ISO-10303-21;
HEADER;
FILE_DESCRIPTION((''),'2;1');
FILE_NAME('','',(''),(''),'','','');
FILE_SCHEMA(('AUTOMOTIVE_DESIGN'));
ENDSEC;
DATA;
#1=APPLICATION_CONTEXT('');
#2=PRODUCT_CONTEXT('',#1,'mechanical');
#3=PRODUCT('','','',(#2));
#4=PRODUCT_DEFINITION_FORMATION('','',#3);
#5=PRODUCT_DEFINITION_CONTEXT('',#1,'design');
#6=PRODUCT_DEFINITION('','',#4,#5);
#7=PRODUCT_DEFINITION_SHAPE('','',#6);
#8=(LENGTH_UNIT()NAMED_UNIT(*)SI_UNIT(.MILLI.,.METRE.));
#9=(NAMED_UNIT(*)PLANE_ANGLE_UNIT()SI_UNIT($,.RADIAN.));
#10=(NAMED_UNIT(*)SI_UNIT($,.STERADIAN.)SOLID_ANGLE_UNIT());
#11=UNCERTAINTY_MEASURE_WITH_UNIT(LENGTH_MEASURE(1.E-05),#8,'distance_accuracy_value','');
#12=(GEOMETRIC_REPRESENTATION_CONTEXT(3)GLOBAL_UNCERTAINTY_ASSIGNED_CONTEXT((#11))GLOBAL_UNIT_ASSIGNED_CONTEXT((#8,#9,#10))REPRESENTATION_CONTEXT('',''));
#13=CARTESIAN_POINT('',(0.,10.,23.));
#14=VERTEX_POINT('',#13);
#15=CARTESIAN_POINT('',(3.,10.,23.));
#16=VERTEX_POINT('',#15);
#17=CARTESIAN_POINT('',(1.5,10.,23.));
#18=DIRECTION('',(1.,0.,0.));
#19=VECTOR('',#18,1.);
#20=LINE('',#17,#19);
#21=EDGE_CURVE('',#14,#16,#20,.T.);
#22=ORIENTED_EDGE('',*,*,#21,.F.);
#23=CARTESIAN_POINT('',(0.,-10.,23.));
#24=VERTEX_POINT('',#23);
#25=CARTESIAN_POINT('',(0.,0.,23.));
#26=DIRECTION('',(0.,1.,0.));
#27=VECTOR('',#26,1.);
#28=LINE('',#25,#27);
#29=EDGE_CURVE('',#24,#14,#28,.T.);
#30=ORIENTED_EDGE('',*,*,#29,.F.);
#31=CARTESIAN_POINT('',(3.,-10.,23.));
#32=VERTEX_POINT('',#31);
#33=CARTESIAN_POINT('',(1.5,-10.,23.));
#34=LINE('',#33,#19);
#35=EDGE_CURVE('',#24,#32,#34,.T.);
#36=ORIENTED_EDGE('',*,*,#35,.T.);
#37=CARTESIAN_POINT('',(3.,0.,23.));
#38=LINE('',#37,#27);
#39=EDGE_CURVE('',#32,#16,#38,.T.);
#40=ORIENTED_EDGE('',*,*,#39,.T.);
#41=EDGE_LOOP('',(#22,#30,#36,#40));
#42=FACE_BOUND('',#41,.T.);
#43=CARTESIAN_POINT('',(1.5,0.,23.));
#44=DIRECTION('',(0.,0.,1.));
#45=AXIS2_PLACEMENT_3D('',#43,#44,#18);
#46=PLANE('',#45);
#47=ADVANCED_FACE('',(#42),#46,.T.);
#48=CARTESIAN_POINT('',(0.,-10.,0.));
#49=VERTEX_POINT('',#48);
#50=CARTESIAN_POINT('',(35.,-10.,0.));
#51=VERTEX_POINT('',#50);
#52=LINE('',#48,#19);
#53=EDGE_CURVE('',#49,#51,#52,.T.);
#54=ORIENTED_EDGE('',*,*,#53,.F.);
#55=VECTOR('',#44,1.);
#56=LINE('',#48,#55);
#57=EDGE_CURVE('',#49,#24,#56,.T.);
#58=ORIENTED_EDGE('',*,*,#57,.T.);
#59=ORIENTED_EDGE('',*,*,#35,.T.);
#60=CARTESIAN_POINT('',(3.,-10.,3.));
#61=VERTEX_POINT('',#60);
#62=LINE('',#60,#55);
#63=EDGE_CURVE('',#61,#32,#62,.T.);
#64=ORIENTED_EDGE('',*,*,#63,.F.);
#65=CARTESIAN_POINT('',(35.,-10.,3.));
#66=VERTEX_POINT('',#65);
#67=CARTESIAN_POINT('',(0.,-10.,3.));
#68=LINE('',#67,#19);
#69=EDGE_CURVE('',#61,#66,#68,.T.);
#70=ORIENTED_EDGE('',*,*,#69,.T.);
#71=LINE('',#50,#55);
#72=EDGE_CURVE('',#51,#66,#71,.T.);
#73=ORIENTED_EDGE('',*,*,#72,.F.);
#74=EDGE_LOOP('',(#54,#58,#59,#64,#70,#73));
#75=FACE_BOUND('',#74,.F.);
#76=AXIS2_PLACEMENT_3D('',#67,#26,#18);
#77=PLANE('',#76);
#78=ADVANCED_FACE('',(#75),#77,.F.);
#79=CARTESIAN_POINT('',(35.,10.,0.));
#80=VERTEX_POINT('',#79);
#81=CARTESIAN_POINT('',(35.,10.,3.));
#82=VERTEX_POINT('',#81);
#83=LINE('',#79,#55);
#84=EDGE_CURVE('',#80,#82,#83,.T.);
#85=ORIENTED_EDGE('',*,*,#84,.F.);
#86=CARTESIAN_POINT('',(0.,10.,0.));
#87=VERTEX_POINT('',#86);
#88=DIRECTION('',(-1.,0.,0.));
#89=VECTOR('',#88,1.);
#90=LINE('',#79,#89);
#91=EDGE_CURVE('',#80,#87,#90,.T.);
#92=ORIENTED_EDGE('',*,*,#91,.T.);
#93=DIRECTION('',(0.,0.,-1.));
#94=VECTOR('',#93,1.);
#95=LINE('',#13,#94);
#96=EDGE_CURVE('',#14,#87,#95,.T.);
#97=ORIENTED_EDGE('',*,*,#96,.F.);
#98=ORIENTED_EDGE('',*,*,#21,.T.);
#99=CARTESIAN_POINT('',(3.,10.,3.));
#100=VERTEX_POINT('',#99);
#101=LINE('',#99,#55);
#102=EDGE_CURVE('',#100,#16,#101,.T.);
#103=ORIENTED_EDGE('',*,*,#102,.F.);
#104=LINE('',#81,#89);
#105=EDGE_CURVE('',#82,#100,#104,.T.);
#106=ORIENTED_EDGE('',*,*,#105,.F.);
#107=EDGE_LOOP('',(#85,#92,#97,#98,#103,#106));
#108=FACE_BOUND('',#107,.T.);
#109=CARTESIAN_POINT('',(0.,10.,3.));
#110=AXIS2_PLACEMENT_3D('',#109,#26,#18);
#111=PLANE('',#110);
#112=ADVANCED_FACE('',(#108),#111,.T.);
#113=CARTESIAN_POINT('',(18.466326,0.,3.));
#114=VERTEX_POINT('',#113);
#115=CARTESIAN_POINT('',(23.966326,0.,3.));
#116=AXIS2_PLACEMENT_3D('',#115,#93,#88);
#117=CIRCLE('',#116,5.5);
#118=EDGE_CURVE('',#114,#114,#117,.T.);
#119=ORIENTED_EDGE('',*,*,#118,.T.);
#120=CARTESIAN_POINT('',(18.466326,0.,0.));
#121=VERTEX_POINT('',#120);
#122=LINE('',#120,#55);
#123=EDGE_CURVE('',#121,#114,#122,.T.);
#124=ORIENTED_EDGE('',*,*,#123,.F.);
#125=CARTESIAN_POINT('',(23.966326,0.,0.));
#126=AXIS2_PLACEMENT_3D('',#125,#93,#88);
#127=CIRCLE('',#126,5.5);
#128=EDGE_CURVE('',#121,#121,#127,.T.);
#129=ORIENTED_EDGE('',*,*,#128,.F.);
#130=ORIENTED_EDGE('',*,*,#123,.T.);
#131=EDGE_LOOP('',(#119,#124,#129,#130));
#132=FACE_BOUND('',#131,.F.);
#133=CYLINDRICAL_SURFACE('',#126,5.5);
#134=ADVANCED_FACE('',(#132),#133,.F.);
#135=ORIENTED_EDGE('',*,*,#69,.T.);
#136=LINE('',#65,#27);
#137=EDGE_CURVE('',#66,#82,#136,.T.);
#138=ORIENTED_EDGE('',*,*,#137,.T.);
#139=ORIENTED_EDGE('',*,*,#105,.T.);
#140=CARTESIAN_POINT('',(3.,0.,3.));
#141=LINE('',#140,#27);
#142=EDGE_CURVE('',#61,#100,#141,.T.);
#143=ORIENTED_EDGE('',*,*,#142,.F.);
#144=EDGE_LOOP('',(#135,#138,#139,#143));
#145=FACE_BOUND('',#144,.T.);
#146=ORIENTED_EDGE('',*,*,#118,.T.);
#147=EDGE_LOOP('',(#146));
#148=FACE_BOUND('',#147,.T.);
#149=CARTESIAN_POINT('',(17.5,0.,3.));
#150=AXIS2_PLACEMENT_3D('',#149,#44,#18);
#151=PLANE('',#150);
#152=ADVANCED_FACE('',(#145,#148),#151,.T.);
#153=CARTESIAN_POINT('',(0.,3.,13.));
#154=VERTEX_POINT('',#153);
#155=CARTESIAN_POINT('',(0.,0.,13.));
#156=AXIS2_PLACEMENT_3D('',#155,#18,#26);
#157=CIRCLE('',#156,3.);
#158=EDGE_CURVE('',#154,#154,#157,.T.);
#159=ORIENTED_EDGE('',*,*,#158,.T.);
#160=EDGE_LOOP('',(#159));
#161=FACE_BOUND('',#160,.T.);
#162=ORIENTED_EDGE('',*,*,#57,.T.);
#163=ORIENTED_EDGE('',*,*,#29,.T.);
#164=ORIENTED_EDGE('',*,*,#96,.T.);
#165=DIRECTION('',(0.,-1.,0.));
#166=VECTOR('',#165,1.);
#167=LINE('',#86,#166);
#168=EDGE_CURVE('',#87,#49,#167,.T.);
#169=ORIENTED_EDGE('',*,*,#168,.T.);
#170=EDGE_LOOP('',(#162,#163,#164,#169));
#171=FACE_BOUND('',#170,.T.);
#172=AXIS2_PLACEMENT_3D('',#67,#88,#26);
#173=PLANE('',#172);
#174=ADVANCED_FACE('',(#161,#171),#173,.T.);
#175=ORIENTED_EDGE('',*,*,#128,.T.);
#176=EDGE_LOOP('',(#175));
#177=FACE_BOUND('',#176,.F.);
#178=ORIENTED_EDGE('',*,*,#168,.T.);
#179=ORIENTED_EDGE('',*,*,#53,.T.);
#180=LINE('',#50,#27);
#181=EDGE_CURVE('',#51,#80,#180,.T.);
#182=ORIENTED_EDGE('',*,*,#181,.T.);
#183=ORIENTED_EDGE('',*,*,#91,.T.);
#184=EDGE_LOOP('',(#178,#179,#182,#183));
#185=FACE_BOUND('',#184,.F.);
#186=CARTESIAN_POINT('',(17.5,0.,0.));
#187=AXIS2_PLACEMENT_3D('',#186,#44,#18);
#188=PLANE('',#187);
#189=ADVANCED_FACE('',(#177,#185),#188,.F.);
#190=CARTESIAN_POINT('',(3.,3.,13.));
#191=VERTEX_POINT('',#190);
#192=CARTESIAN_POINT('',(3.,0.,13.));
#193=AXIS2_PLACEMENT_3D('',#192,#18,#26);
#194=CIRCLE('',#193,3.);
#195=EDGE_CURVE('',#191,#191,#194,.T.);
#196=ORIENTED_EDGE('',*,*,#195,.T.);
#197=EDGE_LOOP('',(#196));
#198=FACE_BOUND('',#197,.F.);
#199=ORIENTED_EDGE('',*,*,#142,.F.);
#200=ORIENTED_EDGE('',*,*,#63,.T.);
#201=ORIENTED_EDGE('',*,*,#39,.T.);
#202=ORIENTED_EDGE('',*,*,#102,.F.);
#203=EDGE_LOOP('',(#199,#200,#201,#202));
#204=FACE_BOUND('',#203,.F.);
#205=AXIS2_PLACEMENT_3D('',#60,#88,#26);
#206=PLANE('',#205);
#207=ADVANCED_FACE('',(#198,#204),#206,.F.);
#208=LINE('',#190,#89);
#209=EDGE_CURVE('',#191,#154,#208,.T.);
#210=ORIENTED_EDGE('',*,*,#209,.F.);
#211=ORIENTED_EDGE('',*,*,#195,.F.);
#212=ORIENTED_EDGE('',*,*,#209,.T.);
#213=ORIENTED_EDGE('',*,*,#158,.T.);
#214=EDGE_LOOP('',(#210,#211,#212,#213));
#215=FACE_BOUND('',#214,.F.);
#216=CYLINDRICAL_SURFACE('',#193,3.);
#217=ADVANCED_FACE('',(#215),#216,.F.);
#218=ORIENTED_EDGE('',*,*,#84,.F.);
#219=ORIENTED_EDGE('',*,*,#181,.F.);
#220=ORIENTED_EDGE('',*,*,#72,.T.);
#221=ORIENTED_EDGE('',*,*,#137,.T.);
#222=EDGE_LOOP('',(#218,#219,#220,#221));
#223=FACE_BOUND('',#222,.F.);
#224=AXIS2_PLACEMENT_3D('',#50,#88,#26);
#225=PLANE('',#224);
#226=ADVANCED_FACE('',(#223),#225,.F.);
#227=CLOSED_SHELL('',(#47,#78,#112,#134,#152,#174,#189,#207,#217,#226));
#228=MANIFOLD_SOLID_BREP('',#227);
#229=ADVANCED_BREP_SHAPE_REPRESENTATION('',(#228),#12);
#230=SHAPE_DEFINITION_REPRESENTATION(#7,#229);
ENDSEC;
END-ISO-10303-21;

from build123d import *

# Parameters (mm, degrees)
F1_DEPTH = 3
F2_W     = 3
F2_H     = 20
F3_DEPTH = 20
F4_R     = 3
F5_DEPTH = 3.001


with BuildPart() as f1:
    # F0 (on Top) → F1 (new body)
    with BuildSketch(Plane.XY):
        Polygon((0, 10), (0, 0), (0, -10), (35, -10), (35, 0), (35, 10), align=None)
        with BuildLine():
            ThreePointArc((29.466326, 0), (23.966326, -5.5), (18.466326, 0))
            ThreePointArc((18.466326, 0), (23.966326, 5.5), (29.466326, 0))
        make_face(mode=Mode.SUBTRACT)
    extrude(amount=F1_DEPTH)

    # F2 (on face) → F3 (join)
    with BuildSketch(Plane.XY.offset(3)):
        with Locations((1.5, 0)):
            Rectangle(F2_W, F2_H)
    extrude(amount=F3_DEPTH)

    # F4 (on face) → F5 (cut, through all)
    with BuildSketch(Plane.YZ.offset(3)):
        with Locations((0, 13)):
            Circle(F4_R)
    extrude(amount=-F5_DEPTH, mode=Mode.SUBTRACT)


solid = f1.part
